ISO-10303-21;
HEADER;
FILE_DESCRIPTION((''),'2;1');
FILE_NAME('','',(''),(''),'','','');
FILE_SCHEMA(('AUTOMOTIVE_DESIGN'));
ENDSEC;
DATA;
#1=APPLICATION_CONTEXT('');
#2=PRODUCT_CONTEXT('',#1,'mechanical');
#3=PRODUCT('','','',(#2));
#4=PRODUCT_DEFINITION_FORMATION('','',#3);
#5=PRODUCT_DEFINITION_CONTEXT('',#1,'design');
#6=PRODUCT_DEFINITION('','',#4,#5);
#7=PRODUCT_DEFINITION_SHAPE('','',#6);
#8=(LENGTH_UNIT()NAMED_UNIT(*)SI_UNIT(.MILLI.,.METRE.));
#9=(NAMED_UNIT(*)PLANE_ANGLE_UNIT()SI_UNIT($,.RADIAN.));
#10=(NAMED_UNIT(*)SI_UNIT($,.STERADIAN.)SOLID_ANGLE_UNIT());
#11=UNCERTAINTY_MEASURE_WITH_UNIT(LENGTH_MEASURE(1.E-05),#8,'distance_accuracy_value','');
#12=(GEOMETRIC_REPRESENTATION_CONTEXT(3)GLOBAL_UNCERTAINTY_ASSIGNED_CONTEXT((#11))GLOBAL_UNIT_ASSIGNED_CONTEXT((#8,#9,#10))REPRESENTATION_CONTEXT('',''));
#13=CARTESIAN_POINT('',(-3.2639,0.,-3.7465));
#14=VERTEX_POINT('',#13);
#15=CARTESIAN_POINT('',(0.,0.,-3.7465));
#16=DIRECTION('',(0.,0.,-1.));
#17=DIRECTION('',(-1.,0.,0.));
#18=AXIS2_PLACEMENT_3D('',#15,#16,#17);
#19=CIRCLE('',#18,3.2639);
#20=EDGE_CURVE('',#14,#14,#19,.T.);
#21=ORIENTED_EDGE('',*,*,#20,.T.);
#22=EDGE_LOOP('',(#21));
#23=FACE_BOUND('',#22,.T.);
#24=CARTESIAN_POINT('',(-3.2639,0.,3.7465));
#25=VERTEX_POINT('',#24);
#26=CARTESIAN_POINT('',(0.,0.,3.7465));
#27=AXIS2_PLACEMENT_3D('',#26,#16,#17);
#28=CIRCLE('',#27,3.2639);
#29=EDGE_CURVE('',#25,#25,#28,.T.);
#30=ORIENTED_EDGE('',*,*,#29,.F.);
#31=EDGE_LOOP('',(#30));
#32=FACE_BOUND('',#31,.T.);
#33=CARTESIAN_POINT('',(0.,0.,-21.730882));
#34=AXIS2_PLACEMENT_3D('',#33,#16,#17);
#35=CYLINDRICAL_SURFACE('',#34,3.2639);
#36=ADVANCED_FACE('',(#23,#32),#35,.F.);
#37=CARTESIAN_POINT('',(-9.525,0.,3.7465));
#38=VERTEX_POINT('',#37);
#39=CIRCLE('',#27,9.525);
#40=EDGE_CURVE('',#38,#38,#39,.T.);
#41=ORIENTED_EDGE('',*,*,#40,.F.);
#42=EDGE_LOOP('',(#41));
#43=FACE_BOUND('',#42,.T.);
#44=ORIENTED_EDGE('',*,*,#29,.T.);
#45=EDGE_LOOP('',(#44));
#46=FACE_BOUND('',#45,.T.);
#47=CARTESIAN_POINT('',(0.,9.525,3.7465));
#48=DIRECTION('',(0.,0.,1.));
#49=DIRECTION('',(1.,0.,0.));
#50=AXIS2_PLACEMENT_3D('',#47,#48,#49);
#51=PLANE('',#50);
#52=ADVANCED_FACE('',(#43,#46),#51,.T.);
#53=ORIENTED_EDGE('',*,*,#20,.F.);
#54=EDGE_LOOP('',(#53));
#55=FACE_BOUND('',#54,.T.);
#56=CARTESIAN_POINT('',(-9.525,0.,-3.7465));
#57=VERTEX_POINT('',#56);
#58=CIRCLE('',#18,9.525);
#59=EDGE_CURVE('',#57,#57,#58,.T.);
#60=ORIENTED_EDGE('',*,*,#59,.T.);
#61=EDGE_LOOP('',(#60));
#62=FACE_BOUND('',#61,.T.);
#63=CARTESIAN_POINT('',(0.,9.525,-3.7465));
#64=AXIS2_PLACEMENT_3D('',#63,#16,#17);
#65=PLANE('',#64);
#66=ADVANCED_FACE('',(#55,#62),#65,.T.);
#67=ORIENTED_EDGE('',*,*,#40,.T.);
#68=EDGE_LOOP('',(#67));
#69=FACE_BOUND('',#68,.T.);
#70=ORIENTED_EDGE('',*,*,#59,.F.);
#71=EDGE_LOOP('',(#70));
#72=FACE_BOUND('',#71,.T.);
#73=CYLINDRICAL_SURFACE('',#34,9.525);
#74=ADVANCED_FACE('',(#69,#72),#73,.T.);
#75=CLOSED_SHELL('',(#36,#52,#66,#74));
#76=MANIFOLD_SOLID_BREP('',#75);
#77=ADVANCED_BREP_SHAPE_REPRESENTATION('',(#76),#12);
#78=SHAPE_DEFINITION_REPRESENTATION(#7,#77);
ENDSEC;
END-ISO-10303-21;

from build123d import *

# Parameters (mm, degrees)
SKETCH1_W = 7.493
SKETCH1_H = 6.2611


with BuildPart() as part:
    # Sketch1 → Revolve1 (revolve)
    with BuildSketch(Plane(origin=(0, 0, 0), x_dir=(0, 0, -1), z_dir=(1, 0, 0)), mode=Mode.PRIVATE) as revolve1_sk:
        with Locations((0, 6.39445)):
            Rectangle(SKETCH1_W, SKETCH1_H)
    revolve(revolve1_sk.sketch.rotate(Axis((0, 0, -21.730881676), (0, 0, 1)), 90), axis=Axis((0, 0, -21.730881676), (0, 0, 1)))


solid = part.part
